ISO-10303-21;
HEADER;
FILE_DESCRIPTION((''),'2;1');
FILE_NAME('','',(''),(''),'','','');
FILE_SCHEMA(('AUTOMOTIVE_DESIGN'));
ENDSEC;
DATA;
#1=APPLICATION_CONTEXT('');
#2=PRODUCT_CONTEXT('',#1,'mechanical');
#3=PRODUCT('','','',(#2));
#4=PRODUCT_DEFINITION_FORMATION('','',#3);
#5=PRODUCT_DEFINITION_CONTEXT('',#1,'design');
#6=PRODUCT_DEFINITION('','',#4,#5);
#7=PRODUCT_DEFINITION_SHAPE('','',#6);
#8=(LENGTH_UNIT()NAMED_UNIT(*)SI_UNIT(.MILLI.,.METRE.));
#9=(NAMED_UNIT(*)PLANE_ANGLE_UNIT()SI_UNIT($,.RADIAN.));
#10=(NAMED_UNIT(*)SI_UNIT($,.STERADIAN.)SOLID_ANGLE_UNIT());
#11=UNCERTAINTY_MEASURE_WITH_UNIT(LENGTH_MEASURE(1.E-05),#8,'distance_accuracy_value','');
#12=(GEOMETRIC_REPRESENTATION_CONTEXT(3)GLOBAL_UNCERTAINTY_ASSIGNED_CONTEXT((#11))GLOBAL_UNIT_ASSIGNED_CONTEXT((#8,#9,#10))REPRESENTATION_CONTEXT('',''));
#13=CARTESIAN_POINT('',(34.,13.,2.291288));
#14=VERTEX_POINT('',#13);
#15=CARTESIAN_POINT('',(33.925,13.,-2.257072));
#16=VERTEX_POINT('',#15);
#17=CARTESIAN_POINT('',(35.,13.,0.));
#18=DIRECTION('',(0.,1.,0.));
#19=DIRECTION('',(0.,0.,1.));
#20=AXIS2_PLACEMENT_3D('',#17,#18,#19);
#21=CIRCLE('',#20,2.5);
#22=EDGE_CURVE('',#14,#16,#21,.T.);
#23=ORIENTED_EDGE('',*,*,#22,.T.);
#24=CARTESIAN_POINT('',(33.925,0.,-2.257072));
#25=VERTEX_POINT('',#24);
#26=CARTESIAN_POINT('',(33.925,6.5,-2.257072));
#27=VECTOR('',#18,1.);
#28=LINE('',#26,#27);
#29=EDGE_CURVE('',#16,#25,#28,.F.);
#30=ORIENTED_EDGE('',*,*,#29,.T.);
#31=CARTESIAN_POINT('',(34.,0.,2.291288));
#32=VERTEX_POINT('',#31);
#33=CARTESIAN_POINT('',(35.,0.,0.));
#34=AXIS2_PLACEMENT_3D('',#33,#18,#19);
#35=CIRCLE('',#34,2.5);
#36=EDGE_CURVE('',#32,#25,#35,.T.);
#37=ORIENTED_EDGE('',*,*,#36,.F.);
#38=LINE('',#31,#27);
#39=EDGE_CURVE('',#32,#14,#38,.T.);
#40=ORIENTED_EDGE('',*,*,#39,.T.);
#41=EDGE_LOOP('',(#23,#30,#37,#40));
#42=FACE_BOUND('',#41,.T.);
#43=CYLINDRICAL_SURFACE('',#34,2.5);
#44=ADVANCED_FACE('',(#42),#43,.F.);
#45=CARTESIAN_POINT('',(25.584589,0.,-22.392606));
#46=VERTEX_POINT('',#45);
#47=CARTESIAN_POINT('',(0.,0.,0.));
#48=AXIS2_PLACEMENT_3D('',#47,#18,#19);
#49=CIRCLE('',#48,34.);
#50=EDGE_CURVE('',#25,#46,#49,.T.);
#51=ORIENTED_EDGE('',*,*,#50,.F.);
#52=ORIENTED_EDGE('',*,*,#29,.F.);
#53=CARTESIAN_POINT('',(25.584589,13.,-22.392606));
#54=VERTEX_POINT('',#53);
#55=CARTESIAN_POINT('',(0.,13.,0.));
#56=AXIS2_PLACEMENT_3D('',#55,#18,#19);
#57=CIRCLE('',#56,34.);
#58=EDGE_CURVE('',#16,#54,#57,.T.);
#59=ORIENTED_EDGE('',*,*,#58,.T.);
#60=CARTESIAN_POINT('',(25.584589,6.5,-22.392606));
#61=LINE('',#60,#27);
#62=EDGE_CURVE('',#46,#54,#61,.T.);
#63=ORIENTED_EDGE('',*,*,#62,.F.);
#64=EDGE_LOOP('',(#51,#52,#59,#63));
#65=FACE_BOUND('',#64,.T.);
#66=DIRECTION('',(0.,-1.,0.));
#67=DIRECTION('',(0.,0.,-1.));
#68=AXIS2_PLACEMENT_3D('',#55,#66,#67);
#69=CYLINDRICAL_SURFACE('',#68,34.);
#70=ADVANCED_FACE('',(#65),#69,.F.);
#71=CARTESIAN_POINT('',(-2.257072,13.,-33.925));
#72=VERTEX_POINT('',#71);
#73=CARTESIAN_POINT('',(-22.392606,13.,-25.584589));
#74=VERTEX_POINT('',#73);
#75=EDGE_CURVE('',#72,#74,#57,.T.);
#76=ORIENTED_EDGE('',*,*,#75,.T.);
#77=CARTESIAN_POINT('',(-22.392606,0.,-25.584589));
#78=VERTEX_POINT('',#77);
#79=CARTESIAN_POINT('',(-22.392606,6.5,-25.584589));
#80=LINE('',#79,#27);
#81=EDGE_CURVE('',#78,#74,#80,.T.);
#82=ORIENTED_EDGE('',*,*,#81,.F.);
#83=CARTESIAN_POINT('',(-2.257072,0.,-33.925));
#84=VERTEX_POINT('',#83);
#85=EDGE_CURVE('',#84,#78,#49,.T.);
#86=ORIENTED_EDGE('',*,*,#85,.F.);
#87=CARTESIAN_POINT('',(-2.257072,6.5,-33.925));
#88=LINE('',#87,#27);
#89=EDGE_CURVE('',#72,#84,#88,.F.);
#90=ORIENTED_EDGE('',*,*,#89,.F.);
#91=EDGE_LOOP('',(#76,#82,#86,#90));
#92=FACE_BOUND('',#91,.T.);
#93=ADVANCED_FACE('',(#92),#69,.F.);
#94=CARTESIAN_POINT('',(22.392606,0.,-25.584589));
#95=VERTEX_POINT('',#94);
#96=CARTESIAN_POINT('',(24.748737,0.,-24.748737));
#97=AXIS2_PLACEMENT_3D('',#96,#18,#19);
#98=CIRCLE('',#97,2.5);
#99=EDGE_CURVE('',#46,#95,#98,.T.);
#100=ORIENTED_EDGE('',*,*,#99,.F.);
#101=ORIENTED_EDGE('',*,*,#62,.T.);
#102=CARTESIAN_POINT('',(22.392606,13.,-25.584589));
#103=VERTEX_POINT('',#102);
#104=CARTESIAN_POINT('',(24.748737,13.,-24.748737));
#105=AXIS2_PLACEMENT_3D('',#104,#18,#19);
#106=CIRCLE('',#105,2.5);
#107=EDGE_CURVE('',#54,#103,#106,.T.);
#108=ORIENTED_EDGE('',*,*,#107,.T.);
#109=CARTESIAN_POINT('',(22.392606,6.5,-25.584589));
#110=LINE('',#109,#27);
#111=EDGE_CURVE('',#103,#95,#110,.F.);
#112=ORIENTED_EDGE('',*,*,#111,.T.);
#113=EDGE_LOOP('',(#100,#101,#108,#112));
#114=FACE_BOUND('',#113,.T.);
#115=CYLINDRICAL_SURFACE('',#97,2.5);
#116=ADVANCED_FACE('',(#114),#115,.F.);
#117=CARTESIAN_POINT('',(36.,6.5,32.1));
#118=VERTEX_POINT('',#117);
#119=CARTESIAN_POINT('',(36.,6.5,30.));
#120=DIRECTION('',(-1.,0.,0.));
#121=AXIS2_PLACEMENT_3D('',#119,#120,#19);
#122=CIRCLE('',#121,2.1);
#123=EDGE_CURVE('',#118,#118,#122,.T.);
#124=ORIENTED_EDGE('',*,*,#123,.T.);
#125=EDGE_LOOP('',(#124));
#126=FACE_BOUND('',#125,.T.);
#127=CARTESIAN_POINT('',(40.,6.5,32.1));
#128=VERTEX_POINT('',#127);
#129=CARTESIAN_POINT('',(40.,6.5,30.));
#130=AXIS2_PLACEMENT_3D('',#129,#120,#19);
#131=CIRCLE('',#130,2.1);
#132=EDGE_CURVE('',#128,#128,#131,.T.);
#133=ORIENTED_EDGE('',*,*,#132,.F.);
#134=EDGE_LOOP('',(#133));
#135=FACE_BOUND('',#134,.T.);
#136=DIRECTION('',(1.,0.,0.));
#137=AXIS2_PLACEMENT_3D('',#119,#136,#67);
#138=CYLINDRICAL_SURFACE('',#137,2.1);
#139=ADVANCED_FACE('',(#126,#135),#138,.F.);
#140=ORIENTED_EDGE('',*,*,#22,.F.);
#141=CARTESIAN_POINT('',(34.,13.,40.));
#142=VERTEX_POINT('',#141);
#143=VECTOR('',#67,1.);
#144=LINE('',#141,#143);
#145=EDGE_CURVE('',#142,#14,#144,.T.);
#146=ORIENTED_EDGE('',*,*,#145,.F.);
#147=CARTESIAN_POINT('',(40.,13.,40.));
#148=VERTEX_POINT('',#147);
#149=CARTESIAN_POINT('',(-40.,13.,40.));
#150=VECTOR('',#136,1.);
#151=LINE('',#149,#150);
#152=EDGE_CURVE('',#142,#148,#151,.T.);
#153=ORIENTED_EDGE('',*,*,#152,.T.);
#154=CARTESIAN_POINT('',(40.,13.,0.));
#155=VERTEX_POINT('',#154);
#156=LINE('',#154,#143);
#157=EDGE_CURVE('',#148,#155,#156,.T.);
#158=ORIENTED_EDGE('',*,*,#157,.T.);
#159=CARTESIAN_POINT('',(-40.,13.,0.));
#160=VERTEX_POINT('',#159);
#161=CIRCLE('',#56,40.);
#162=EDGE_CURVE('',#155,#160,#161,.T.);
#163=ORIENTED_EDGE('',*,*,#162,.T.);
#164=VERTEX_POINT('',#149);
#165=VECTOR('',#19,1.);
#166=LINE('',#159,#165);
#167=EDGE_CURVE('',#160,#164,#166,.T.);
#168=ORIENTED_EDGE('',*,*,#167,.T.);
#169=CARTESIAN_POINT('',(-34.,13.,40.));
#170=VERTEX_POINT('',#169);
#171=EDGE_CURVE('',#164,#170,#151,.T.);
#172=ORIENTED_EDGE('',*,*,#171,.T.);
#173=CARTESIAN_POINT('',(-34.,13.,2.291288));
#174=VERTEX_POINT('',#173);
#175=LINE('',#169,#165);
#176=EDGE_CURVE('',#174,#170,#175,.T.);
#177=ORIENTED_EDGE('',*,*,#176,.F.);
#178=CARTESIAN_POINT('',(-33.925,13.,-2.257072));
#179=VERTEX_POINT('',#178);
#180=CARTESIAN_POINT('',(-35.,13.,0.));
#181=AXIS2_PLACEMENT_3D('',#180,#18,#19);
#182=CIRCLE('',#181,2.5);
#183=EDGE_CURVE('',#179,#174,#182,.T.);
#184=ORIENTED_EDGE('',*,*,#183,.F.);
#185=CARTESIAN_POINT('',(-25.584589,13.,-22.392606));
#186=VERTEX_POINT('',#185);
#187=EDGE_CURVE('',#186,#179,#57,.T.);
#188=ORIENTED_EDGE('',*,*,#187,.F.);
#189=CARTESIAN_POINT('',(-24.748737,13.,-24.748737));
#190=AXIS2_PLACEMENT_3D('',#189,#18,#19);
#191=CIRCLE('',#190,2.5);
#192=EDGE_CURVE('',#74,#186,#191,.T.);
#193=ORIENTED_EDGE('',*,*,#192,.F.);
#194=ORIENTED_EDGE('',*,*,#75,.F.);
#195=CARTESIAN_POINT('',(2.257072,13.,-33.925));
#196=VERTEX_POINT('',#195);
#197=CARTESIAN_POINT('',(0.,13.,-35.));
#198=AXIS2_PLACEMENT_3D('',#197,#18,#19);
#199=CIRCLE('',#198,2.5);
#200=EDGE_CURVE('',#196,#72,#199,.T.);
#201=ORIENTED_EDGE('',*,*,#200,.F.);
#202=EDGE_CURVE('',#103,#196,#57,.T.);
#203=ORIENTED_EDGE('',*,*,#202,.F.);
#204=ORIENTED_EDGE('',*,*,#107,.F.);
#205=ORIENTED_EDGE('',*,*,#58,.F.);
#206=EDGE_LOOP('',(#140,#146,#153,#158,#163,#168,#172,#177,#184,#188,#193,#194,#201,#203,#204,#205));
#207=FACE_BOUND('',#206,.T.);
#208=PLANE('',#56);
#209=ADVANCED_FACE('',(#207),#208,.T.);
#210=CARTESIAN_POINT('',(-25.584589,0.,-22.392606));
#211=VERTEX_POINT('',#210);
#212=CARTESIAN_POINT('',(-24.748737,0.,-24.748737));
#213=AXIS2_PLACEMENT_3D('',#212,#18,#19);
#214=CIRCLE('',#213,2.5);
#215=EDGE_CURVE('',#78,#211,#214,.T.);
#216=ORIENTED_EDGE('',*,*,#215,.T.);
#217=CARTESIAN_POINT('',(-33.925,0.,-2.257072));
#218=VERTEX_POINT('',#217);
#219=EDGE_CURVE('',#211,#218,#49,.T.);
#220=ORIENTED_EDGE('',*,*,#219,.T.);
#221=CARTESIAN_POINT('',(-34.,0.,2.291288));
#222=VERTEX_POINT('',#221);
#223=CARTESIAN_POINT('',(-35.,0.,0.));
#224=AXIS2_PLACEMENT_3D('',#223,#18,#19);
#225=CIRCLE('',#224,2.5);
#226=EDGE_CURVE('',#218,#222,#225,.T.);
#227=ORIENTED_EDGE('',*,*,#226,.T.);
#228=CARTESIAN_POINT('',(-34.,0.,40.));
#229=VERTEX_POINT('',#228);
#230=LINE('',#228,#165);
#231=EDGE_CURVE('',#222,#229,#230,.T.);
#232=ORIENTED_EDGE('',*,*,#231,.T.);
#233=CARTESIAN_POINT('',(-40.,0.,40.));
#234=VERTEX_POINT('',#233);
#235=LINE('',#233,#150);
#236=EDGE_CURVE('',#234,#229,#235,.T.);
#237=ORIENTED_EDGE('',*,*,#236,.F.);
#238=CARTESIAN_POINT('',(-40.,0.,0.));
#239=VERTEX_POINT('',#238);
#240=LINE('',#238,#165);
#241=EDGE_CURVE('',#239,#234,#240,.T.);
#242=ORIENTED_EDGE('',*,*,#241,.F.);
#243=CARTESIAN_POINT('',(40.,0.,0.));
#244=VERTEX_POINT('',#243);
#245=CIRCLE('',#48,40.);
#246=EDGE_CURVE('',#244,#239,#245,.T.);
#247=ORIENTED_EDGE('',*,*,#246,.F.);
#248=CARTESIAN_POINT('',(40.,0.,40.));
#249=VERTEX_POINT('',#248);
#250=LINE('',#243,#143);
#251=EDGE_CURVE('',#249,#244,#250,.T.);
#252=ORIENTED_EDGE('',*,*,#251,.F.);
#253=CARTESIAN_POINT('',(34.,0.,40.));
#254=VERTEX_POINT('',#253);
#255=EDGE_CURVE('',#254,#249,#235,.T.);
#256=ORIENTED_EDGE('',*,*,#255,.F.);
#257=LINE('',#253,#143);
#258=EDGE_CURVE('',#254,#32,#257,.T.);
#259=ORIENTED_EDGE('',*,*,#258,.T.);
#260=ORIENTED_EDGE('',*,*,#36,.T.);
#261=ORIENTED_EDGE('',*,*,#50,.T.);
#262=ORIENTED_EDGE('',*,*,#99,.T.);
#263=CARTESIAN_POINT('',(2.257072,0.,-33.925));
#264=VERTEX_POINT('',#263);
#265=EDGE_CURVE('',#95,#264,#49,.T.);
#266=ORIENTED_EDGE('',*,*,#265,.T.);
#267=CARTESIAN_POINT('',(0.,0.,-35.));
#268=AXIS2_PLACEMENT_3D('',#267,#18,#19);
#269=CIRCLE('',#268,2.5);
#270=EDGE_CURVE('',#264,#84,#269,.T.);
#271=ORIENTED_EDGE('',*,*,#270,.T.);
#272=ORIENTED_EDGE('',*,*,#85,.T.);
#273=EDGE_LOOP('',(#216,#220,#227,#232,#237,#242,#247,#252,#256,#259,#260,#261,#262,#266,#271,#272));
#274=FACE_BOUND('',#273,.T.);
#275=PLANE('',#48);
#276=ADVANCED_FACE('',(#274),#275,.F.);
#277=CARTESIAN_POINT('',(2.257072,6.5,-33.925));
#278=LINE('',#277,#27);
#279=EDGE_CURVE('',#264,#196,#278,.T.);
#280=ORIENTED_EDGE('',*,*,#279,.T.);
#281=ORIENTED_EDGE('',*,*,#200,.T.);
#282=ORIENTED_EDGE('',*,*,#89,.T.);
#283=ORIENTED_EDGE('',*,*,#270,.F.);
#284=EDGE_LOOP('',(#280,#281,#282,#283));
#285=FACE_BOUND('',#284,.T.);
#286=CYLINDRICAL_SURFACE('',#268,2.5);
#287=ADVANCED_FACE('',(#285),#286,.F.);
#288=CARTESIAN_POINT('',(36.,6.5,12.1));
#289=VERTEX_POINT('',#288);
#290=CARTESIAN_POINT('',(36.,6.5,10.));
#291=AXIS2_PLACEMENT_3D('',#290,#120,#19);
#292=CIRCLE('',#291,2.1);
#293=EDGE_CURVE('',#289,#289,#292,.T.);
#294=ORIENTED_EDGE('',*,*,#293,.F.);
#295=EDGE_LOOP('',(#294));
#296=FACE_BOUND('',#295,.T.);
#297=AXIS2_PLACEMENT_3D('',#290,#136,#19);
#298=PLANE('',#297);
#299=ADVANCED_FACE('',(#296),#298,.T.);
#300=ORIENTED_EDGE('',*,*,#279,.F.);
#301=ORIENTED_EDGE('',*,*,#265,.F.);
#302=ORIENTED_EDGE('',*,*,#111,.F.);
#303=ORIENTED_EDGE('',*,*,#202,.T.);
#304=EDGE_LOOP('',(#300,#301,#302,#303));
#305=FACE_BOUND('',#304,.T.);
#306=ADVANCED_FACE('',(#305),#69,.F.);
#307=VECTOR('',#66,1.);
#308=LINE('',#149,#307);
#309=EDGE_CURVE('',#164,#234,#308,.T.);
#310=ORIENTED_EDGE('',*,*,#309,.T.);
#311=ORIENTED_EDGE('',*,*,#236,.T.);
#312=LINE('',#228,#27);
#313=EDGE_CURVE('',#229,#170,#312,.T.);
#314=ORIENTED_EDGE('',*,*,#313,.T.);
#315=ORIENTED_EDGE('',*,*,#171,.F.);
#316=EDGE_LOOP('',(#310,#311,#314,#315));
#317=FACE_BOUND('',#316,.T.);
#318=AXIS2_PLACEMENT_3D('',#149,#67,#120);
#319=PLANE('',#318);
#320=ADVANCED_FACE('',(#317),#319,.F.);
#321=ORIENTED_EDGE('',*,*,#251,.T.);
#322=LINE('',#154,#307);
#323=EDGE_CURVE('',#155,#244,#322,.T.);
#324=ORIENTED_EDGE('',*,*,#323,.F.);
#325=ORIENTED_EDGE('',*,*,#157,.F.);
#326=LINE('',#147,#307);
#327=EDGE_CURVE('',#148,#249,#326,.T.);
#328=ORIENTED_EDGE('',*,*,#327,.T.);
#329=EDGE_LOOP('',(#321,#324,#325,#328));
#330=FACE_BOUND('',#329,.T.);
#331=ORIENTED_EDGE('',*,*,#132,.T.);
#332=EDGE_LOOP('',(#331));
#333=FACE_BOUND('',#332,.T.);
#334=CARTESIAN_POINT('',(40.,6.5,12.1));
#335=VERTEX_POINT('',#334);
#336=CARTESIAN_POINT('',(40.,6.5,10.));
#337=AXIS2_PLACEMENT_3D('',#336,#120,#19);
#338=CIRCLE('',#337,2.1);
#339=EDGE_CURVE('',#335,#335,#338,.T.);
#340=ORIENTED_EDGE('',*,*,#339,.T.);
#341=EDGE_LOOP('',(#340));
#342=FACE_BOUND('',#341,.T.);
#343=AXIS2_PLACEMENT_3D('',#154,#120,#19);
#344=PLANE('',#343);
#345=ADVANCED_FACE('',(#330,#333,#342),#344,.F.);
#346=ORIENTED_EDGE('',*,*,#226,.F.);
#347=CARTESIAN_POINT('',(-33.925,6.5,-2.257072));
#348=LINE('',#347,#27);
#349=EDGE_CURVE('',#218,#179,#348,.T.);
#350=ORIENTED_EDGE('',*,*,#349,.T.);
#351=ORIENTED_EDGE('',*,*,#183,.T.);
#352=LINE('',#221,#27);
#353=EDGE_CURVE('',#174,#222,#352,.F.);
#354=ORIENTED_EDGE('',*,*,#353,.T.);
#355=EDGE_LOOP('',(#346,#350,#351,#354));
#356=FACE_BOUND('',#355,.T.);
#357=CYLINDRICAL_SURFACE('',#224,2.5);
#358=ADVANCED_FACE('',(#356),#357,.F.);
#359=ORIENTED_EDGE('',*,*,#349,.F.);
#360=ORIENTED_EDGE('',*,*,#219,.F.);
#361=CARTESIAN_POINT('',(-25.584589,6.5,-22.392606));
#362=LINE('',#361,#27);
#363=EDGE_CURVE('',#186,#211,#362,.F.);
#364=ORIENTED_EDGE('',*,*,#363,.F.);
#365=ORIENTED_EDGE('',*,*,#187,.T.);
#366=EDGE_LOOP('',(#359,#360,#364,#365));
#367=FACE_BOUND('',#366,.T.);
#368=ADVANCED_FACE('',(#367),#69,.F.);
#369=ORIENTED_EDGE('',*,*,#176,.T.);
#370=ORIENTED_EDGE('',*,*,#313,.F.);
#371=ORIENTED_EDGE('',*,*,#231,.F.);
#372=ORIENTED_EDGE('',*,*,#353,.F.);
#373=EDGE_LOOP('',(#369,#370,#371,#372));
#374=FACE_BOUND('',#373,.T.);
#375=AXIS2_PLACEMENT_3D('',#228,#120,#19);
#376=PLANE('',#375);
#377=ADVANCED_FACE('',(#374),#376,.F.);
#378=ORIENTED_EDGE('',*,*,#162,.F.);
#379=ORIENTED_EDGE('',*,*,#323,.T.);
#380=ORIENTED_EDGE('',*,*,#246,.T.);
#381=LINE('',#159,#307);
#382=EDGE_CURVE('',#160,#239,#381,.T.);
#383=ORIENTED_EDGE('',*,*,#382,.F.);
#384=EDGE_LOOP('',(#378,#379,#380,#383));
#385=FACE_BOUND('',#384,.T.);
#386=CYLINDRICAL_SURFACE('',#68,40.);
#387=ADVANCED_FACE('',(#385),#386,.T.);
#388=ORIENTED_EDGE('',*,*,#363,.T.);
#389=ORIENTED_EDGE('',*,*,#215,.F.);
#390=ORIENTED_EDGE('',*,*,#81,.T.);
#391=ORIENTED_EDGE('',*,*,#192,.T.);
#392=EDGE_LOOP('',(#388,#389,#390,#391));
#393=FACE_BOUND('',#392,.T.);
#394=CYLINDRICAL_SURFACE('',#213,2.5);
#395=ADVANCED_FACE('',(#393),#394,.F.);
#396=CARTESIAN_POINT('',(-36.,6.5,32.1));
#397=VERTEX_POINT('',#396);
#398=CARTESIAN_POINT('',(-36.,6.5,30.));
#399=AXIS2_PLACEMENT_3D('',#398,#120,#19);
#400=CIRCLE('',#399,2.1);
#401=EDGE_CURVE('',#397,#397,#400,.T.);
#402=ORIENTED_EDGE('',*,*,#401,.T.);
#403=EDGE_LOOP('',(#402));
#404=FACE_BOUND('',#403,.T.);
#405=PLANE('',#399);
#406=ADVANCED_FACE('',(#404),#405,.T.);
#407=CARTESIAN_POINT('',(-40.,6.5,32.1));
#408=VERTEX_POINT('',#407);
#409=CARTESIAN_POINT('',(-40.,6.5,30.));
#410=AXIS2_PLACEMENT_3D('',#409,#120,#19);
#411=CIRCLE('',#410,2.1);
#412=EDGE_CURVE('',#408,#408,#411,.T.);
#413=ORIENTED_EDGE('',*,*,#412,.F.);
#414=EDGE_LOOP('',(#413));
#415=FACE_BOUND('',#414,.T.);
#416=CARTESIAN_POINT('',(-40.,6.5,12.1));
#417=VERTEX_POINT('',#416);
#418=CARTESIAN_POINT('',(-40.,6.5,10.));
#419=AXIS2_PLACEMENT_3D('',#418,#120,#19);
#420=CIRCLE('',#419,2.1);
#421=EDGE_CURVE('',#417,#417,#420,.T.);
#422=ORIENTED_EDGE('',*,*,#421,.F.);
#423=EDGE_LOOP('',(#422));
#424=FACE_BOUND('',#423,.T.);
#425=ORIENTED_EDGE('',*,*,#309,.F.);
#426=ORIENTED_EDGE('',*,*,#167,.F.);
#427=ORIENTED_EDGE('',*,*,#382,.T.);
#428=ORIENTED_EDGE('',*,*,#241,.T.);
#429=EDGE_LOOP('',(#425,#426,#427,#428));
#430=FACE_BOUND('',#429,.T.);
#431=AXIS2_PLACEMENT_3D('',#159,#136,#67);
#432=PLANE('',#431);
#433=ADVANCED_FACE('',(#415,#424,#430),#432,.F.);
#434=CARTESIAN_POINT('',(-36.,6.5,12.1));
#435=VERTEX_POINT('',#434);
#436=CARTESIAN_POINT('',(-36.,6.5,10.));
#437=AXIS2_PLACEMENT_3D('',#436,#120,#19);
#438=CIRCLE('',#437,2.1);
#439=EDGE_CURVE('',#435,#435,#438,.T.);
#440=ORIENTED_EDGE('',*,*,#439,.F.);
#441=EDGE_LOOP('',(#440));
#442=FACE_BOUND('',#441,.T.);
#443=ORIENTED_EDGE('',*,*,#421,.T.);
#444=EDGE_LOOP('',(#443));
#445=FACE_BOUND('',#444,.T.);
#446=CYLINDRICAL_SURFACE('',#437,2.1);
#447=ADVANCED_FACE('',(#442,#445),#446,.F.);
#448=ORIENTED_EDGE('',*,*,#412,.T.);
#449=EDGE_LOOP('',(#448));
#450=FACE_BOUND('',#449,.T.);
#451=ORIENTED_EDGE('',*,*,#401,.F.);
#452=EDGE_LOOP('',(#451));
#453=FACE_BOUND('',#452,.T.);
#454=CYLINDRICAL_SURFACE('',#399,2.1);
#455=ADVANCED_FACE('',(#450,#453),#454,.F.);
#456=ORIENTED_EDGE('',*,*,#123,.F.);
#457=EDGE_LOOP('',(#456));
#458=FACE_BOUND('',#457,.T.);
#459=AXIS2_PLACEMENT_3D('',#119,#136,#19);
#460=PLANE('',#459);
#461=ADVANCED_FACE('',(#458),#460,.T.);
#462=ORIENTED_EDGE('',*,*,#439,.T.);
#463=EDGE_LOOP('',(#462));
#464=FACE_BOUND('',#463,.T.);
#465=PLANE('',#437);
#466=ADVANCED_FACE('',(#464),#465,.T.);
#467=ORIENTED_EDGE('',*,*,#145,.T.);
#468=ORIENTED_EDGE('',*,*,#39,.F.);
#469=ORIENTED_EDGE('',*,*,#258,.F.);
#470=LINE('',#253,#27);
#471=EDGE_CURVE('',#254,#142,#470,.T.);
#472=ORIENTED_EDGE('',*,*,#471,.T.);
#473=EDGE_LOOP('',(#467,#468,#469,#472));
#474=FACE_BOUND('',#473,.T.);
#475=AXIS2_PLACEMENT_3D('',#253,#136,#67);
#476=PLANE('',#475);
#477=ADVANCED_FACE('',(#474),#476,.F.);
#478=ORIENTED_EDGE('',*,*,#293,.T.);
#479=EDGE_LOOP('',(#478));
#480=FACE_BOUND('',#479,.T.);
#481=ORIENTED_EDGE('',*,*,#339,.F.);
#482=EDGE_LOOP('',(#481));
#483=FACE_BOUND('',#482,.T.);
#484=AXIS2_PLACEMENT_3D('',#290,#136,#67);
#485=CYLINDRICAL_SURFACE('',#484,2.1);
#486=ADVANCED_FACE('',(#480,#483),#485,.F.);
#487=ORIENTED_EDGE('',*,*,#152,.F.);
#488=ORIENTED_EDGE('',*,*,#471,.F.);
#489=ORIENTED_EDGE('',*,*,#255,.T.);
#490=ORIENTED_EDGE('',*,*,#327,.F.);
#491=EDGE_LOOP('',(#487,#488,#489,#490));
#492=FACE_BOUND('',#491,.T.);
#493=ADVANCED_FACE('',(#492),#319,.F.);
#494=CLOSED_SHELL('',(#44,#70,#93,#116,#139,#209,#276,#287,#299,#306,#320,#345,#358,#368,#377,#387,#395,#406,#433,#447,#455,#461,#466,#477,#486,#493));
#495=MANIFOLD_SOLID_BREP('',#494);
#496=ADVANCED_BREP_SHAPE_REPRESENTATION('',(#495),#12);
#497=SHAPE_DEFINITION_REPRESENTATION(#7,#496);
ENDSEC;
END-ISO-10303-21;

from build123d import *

# Parameters (mm, degrees)
SKETCH_1_R          = 34
EXTRUDE_1_DEPTH     = 13
SKETCH_2_R          = 2.5
CUT_EXTRUDE_1_DEPTH = 59.043087444
SKETCH_3_W          = 68
SKETCH_3_H          = 40
CUT_EXTRUDE_2_DEPTH = 59.043087444
SKETCH_4_R          = 2.1
CUT_EXTRUDE_3_DEPTH = 4


with BuildPart() as part:
    # 草图1 → 凸台-拉伸1 (new body)
    with BuildSketch(Plane(origin=(0, 0, 0), x_dir=(1, 0, 0), z_dir=(0, 1, 0))):
        with BuildLine():
            Line((-40, 0), (-40, -40))
            Line((-40, -40), (40, -40))
            Line((40, -40), (40, 0))
            ThreePointArc((40, 0), (0, 40), (-40, 0))
        make_face()
        with Locations(Location((0, 0, 0), (0, 0, 90))):
            Circle(SKETCH_1_R, mode=Mode.SUBTRACT)
    extrude(amount=EXTRUDE_1_DEPTH)

    # 草图2 → 切除-拉伸1 (cut, through all)
    with BuildSketch(Plane(origin=(0, 13, 0), x_dir=(1, 0, 0), z_dir=(0, 1, 0))):
        with Locations((0, 35)):
            Circle(SKETCH_2_R)
        with Locations((24.748737342, 24.748737342)):
            Circle(SKETCH_2_R)
        with Locations((35, 0)):
            Circle(SKETCH_2_R)
        with Locations((24.748737342, -24.748737342)):
            Circle(SKETCH_2_R)
        with Locations((0, -35)):
            Circle(SKETCH_2_R)
        with Locations((-24.748737342, -24.748737342)):
            Circle(SKETCH_2_R)
        with Locations((-35, 0)):
            Circle(SKETCH_2_R)
        with Locations((-24.748737342, 24.748737342)):
            Circle(SKETCH_2_R)
    extrude(amount=-CUT_EXTRUDE_1_DEPTH, mode=Mode.SUBTRACT)

    # 草图3 → 切除-拉伸2 (cut, through all)
    with BuildSketch(Plane(origin=(0, 13, 0), x_dir=(1, 0, 0), z_dir=(0, 1, 0))):
        with Locations((0, -20)):
            Rectangle(SKETCH_3_W, SKETCH_3_H)
    extrude(amount=-CUT_EXTRUDE_2_DEPTH, mode=Mode.SUBTRACT)

    # 草图4 → 切除-拉伸3 (cut)
    with BuildSketch(Plane.ZY.offset(40)):
        with Locations((10, 6.5)):
            Circle(SKETCH_4_R)
        with Locations((30, 6.5)):
            Circle(SKETCH_4_R)
    cut_extrude_3 = extrude(amount=-CUT_EXTRUDE_3_DEPTH, mode=Mode.SUBTRACT)

    # 镜向1: 切除-拉伸3 across plane
    add(cut_extrude_3.mirror(Plane.ZY), mode=Mode.SUBTRACT)


solid = part.part
